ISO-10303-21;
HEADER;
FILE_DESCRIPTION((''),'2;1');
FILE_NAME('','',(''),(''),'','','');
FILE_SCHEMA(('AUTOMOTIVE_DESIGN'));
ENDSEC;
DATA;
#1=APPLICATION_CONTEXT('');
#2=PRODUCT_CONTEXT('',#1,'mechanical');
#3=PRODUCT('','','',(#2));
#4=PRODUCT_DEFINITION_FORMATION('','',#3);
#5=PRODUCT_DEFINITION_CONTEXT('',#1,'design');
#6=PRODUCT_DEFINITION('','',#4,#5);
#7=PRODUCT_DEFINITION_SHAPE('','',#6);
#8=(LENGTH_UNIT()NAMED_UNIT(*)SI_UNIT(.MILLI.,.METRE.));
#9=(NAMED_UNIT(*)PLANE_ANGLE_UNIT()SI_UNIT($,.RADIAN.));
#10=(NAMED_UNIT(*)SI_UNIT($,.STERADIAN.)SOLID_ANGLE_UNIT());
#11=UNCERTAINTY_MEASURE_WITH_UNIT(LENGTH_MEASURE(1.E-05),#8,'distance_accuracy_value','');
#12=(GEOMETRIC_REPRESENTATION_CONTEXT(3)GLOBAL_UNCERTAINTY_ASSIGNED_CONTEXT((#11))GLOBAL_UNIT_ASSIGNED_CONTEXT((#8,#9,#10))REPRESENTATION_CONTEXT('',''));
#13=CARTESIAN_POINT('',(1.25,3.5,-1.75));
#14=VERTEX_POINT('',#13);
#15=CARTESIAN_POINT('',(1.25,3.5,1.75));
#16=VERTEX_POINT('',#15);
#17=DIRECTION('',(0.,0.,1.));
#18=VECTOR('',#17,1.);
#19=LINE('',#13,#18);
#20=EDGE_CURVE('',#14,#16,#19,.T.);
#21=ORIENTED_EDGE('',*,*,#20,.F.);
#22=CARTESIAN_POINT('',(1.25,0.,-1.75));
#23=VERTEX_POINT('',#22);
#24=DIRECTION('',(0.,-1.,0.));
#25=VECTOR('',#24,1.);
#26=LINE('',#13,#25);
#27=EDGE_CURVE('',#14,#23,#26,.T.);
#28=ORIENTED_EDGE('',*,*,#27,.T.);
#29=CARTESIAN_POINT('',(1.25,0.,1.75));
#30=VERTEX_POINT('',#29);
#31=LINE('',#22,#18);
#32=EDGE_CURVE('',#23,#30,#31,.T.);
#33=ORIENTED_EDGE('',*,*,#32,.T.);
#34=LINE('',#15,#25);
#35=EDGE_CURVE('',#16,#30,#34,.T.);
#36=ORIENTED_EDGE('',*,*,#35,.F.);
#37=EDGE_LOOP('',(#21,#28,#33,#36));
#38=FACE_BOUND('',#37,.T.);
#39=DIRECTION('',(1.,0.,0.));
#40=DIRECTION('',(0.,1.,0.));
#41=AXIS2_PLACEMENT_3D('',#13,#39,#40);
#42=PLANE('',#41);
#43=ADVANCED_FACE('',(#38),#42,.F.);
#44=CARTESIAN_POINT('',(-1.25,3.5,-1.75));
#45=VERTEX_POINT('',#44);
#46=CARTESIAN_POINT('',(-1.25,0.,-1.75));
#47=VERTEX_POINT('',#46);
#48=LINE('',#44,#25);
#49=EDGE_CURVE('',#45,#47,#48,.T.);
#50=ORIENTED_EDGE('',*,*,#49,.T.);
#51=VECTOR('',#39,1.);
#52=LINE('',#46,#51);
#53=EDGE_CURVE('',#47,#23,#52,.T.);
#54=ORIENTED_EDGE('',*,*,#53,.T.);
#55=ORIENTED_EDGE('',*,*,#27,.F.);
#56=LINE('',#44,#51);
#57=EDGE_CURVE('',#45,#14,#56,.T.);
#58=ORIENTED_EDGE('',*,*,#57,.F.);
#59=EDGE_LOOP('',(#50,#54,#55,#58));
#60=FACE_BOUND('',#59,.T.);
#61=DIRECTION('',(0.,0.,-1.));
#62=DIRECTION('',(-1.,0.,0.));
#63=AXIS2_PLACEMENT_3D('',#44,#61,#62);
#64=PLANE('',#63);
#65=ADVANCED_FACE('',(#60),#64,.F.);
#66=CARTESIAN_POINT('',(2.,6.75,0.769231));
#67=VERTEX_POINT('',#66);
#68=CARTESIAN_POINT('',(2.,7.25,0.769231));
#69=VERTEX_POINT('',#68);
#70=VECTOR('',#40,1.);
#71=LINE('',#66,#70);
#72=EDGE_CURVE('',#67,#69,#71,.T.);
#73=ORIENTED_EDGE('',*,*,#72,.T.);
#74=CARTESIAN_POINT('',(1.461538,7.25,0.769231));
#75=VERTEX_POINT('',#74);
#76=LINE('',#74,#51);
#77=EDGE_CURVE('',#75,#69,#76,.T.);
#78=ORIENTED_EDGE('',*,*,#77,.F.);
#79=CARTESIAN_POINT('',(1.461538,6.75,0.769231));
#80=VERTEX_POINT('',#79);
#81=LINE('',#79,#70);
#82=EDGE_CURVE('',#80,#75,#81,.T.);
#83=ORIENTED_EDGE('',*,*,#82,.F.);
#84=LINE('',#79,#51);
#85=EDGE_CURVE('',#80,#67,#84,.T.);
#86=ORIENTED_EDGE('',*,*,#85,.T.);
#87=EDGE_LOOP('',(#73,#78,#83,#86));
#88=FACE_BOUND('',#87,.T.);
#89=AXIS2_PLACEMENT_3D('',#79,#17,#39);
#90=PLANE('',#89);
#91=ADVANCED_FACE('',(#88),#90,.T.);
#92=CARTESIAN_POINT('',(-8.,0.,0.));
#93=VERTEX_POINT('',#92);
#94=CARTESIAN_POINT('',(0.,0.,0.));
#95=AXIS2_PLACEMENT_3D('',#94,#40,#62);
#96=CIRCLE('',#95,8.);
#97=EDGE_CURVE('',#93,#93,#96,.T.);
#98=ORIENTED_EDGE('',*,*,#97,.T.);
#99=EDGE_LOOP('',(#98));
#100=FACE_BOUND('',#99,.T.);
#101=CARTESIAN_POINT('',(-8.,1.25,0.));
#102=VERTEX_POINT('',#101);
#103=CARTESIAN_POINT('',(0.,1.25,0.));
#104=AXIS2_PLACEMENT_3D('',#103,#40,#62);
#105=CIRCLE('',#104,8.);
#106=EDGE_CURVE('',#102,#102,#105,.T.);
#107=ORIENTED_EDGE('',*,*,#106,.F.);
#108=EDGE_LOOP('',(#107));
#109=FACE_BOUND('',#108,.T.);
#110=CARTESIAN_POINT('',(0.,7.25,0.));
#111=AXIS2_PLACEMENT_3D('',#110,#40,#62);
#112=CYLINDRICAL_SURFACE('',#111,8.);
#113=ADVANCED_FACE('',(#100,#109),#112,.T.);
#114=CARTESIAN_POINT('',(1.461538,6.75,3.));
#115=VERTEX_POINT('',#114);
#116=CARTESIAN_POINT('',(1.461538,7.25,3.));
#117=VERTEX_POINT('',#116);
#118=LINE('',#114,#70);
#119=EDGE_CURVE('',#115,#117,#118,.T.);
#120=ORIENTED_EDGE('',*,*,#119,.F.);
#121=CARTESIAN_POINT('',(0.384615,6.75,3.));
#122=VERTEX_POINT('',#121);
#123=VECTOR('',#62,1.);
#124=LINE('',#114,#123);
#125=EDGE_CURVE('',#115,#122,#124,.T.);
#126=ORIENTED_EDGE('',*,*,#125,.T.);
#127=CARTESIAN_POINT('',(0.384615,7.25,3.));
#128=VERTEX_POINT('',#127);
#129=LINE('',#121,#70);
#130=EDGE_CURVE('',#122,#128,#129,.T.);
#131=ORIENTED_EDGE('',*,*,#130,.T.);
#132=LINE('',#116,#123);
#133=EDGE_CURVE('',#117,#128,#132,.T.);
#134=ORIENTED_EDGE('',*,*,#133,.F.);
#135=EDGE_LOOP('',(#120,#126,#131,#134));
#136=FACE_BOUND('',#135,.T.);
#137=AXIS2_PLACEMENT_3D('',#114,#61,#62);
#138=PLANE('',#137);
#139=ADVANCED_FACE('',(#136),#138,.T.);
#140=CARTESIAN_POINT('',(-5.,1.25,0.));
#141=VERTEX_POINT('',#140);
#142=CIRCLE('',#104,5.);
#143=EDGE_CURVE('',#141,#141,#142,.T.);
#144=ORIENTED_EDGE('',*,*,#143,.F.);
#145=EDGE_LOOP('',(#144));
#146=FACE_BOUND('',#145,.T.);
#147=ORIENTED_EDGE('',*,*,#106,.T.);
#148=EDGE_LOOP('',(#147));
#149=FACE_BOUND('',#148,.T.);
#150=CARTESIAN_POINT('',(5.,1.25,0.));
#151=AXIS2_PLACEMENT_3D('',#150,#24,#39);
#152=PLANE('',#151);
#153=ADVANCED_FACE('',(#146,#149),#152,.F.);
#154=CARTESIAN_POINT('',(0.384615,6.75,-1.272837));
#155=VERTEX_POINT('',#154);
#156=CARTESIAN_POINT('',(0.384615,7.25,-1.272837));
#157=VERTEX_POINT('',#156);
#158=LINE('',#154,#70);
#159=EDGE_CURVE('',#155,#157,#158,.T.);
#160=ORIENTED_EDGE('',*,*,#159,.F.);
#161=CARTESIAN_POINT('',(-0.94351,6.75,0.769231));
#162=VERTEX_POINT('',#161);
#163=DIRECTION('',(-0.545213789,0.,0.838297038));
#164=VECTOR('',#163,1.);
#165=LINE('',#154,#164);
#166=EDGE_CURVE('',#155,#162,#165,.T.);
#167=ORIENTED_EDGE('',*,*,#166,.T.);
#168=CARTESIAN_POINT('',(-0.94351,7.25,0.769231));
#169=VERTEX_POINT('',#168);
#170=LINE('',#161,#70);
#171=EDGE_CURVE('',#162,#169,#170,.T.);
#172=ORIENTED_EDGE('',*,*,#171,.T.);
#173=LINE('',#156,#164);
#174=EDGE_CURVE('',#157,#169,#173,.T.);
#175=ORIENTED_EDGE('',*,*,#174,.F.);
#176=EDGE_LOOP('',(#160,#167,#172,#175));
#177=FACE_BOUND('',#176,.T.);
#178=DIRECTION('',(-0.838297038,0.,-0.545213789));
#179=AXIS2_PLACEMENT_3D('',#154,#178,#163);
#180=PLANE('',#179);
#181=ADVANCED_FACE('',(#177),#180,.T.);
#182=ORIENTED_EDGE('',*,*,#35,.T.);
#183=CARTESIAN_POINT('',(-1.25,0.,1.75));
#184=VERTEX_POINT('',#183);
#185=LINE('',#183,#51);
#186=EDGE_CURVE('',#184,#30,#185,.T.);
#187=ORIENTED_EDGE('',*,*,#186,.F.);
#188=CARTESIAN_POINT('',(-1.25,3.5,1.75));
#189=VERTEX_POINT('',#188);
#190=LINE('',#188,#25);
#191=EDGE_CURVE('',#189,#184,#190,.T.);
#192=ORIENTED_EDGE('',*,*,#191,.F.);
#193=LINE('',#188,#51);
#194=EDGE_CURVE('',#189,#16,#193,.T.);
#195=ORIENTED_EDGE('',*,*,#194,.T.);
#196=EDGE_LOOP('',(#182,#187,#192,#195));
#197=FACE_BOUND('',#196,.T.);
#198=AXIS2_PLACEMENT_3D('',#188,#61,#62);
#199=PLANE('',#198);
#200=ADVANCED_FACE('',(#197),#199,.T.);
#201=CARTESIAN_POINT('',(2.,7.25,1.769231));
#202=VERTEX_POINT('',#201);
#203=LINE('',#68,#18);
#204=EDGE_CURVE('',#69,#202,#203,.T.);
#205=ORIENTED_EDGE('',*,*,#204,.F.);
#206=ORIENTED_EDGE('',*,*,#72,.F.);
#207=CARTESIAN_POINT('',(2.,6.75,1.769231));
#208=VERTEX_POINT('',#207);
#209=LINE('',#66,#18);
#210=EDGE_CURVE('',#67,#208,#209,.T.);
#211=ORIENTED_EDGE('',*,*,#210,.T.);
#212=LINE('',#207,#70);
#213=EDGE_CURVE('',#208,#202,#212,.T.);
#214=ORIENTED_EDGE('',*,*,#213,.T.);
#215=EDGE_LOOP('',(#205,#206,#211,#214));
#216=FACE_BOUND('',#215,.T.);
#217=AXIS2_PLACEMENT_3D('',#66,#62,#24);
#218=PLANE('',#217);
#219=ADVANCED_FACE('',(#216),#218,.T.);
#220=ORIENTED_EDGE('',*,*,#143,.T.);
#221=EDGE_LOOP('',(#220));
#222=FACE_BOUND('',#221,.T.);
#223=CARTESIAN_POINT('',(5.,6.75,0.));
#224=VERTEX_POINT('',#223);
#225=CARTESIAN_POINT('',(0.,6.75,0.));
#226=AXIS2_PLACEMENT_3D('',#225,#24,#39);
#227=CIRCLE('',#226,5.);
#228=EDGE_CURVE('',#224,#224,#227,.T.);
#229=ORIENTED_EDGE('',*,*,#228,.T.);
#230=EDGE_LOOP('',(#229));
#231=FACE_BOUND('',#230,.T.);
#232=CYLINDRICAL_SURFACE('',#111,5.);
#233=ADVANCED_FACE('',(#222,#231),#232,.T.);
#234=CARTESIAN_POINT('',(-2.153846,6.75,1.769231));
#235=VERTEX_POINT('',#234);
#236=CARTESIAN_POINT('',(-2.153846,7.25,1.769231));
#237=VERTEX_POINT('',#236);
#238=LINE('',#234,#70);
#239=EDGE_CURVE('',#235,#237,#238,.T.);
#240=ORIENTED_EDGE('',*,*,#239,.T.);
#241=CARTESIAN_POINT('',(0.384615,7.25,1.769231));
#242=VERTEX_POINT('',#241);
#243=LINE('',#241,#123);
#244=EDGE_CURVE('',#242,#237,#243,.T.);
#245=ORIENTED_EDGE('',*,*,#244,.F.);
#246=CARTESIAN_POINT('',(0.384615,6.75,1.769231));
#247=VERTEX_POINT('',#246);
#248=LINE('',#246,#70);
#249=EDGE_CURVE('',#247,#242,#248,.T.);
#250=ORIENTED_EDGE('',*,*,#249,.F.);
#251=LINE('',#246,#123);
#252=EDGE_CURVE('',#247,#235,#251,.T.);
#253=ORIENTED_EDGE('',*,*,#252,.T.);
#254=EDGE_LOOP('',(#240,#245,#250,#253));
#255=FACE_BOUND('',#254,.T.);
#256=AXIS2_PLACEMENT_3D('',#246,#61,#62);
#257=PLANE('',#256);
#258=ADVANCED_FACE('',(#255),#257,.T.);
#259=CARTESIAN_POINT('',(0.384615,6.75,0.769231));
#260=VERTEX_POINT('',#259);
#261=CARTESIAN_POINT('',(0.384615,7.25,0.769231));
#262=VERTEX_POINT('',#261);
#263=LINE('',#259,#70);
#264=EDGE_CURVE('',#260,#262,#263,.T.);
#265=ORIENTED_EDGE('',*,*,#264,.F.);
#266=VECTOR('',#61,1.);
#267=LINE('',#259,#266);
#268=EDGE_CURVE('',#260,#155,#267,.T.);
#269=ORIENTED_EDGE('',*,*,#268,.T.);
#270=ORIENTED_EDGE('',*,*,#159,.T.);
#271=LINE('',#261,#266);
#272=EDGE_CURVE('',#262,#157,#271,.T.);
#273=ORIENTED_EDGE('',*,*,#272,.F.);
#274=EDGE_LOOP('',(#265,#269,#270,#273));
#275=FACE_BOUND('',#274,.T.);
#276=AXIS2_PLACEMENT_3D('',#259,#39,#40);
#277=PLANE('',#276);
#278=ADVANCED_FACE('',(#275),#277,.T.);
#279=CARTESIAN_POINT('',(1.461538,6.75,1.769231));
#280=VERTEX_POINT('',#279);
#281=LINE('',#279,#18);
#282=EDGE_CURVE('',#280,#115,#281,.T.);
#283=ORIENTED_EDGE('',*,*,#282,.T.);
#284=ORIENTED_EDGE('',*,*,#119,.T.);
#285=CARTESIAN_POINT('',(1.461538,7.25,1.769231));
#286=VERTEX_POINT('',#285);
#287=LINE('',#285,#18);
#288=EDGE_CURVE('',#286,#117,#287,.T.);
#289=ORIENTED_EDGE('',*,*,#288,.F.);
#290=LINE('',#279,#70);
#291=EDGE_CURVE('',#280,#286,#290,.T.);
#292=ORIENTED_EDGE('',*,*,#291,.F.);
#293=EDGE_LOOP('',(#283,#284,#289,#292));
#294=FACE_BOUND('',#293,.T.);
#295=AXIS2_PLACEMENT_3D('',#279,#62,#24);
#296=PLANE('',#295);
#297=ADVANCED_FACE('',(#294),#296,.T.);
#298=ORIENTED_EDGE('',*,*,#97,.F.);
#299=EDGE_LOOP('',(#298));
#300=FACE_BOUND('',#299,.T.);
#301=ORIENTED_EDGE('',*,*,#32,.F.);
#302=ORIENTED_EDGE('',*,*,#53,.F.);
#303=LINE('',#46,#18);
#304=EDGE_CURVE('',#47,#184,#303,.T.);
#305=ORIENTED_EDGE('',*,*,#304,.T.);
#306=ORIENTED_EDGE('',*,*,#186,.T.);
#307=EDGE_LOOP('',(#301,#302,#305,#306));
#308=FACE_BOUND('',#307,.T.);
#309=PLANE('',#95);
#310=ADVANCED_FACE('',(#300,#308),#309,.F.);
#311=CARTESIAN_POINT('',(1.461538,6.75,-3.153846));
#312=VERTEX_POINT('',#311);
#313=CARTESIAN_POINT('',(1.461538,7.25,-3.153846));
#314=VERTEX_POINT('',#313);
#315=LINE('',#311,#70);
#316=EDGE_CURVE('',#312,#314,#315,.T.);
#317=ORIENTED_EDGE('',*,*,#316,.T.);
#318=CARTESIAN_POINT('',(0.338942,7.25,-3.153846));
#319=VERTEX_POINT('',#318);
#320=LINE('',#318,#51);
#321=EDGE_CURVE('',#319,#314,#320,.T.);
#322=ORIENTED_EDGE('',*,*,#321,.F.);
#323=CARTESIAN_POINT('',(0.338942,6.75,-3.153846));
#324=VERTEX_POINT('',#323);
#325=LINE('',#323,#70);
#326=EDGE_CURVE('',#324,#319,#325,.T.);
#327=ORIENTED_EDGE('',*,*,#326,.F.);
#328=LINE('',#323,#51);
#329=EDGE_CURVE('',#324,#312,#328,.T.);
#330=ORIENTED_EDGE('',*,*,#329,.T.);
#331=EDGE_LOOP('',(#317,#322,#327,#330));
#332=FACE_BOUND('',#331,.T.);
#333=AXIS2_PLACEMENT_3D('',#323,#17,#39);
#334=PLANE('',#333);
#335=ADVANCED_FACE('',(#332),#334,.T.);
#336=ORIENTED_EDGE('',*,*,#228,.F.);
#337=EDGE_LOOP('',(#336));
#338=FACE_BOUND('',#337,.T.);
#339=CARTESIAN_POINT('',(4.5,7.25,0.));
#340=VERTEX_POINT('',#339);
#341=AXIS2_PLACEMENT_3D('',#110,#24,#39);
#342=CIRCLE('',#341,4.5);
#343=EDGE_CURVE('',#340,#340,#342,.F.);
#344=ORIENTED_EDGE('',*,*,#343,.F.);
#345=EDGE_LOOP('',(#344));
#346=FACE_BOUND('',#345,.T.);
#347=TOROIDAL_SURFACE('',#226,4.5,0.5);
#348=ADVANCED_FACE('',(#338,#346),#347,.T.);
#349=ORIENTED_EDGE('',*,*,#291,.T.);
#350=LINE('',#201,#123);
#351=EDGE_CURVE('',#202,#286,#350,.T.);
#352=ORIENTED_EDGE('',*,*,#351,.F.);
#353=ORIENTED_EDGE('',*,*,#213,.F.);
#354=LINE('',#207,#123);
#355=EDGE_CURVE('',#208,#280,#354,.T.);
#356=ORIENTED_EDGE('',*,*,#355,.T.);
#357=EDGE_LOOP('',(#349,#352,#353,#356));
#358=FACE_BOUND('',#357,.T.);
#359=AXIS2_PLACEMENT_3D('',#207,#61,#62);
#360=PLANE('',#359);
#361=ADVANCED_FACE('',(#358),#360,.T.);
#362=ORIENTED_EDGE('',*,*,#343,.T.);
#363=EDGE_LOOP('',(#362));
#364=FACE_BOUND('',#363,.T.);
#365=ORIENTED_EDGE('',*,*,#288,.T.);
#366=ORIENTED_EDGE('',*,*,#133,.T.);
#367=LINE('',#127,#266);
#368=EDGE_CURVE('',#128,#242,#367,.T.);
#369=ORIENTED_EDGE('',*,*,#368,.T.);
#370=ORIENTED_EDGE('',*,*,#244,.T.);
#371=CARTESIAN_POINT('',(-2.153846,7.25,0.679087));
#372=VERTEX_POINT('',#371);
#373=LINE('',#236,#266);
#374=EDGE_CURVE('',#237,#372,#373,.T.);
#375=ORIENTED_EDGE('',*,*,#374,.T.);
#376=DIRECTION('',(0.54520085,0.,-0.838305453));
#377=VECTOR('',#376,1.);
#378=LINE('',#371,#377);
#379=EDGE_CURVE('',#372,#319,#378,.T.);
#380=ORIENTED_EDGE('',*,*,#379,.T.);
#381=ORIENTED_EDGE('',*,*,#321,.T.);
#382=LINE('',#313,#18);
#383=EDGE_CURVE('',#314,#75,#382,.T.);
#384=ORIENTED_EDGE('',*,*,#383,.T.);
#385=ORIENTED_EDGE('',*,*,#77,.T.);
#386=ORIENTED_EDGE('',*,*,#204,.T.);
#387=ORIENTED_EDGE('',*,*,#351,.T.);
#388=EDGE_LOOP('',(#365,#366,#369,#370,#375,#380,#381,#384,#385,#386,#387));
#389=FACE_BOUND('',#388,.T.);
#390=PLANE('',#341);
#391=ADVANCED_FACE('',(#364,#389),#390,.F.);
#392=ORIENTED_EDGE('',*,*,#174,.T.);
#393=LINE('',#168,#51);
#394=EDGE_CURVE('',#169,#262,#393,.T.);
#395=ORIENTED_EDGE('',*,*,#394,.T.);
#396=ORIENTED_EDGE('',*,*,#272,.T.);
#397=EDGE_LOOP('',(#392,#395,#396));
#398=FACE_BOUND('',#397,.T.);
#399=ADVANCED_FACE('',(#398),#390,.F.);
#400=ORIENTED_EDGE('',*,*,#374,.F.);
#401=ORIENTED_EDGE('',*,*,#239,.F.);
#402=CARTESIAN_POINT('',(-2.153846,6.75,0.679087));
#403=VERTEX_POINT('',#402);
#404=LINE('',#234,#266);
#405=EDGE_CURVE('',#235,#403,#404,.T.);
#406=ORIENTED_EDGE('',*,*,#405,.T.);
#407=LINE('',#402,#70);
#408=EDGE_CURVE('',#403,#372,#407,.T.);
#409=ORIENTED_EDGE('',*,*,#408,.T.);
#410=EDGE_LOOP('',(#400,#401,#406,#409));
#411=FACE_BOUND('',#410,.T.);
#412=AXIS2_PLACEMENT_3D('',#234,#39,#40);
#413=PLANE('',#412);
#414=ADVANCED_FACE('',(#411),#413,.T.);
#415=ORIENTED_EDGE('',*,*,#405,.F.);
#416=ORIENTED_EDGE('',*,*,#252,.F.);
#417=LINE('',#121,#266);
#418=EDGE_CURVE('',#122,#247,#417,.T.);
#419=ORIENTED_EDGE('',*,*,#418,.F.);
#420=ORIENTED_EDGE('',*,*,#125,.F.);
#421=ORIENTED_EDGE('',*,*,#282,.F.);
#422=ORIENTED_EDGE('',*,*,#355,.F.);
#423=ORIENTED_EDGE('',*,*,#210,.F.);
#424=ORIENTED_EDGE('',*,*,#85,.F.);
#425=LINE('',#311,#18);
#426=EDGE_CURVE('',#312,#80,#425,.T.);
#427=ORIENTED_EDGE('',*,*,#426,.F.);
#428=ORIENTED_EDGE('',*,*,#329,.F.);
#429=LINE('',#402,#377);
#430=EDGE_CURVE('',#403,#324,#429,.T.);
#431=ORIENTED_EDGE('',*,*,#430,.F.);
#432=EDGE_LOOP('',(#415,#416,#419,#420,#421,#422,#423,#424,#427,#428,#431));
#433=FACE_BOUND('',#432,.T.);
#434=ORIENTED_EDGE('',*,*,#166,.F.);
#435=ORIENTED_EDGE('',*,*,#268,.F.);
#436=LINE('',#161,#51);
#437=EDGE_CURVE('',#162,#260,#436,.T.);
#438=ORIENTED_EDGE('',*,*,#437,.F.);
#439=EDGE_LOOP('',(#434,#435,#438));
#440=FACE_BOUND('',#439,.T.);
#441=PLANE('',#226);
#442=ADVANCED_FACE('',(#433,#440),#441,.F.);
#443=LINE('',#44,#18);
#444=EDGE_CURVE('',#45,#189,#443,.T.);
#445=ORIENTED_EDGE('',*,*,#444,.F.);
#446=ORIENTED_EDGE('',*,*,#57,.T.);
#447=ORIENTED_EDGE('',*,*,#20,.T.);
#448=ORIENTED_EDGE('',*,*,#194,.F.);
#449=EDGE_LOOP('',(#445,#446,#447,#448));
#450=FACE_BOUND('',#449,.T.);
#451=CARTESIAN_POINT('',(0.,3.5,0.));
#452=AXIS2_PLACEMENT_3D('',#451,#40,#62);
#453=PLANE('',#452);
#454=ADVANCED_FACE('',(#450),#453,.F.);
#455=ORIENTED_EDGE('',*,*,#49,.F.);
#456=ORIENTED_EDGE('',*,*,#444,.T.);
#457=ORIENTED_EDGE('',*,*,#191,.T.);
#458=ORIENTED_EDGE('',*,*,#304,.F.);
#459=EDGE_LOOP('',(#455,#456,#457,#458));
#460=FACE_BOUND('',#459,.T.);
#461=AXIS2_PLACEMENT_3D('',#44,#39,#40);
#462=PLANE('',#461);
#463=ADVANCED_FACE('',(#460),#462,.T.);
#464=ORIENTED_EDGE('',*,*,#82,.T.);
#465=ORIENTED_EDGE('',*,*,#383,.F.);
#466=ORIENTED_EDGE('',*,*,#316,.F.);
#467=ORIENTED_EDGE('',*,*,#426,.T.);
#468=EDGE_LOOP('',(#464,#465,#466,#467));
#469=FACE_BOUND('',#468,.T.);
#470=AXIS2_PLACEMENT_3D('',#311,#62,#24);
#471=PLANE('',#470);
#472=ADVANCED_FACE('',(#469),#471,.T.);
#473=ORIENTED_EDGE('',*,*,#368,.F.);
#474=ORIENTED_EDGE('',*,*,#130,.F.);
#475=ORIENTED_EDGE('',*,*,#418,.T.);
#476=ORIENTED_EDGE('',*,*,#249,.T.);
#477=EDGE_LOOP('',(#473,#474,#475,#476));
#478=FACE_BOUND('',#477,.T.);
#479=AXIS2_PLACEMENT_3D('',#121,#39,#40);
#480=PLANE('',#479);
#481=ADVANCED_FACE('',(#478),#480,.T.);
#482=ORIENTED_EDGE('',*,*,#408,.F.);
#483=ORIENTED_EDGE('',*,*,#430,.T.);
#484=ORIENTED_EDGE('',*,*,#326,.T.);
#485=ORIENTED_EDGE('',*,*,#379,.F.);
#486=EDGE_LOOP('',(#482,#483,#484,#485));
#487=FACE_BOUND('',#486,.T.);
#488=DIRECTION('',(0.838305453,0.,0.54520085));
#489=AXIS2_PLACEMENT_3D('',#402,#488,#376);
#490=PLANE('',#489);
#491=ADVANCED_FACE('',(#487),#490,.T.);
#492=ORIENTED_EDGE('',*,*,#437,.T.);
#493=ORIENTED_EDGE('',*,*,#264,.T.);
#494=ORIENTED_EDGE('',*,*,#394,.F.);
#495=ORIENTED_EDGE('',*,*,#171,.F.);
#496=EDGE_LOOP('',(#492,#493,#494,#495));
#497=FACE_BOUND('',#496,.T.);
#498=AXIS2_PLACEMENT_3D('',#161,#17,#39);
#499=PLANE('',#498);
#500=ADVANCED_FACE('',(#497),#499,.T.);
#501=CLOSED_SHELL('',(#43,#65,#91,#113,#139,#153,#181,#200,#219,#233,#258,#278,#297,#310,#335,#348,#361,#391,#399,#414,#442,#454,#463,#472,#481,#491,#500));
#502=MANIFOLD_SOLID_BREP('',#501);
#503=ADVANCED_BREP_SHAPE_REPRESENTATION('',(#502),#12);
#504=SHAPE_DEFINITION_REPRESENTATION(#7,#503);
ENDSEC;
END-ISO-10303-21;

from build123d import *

# Parameters (mm, degrees)
SKETCH2_W          = 2.5
SKETCH2_H          = 3.5
CUT_EXTRUDE1_DEPTH = 3.5
FILLET1_R          = 0.5
CUT_EXTRUDE2_DEPTH = 0.5


with BuildPart() as part:
    # Sketch1 → Revolve1 (revolve)
    with BuildSketch(Plane.XY, mode=Mode.PRIVATE) as revolve1_sk:
        Polygon((0, 7.25), (5, 7.25), (5, 1.25), (8, 1.25), (8, 0), (0, 0), align=None)
    revolve(revolve1_sk.sketch.rotate(Axis((0, 7.25, 0), (0, -1, 0)), 180), axis=Axis((0, 7.25, 0), (0, -1, 0)))

    # Sketch2 → Cut-Extrude1 (cut)
    with BuildSketch(Plane.XZ):
        Rectangle(SKETCH2_W, SKETCH2_H)
    extrude(amount=-CUT_EXTRUDE1_DEPTH, mode=Mode.SUBTRACT)

    # Fillet1
    fillet1_edges = [part.edges().sort_by_distance(p)[0] for p in [
        (5, 7.25, 0),
    ]]
    fillet(fillet1_edges, radius=FILLET1_R)

    # Sketch3 → Cut-Extrude2 (cut)
    with BuildSketch(Plane(origin=(0, 7.25, 0), x_dir=(1, 0, 0), z_dir=(0, 1, 0))):
        Polygon((0.338942308, 3.153846154), (1.461538462, 3.153846154), (1.461538462, -0.769230769), (2, -0.769230769), (2, -1.769230769), (1.461538462, -1.769230769), (1.461538462, -3), (0.384615385, -3), (0.384615385, -1.769230769), (-2.153846154, -1.769230769), (-2.153846154, -0.679086538), align=None)
        Polygon((0.384615385, -0.769230769), (0.384615385, 1.272836538), (-0.943509615, -0.769230769), align=None, mode=Mode.SUBTRACT)
    extrude(amount=-CUT_EXTRUDE2_DEPTH, mode=Mode.SUBTRACT)


solid = part.part
